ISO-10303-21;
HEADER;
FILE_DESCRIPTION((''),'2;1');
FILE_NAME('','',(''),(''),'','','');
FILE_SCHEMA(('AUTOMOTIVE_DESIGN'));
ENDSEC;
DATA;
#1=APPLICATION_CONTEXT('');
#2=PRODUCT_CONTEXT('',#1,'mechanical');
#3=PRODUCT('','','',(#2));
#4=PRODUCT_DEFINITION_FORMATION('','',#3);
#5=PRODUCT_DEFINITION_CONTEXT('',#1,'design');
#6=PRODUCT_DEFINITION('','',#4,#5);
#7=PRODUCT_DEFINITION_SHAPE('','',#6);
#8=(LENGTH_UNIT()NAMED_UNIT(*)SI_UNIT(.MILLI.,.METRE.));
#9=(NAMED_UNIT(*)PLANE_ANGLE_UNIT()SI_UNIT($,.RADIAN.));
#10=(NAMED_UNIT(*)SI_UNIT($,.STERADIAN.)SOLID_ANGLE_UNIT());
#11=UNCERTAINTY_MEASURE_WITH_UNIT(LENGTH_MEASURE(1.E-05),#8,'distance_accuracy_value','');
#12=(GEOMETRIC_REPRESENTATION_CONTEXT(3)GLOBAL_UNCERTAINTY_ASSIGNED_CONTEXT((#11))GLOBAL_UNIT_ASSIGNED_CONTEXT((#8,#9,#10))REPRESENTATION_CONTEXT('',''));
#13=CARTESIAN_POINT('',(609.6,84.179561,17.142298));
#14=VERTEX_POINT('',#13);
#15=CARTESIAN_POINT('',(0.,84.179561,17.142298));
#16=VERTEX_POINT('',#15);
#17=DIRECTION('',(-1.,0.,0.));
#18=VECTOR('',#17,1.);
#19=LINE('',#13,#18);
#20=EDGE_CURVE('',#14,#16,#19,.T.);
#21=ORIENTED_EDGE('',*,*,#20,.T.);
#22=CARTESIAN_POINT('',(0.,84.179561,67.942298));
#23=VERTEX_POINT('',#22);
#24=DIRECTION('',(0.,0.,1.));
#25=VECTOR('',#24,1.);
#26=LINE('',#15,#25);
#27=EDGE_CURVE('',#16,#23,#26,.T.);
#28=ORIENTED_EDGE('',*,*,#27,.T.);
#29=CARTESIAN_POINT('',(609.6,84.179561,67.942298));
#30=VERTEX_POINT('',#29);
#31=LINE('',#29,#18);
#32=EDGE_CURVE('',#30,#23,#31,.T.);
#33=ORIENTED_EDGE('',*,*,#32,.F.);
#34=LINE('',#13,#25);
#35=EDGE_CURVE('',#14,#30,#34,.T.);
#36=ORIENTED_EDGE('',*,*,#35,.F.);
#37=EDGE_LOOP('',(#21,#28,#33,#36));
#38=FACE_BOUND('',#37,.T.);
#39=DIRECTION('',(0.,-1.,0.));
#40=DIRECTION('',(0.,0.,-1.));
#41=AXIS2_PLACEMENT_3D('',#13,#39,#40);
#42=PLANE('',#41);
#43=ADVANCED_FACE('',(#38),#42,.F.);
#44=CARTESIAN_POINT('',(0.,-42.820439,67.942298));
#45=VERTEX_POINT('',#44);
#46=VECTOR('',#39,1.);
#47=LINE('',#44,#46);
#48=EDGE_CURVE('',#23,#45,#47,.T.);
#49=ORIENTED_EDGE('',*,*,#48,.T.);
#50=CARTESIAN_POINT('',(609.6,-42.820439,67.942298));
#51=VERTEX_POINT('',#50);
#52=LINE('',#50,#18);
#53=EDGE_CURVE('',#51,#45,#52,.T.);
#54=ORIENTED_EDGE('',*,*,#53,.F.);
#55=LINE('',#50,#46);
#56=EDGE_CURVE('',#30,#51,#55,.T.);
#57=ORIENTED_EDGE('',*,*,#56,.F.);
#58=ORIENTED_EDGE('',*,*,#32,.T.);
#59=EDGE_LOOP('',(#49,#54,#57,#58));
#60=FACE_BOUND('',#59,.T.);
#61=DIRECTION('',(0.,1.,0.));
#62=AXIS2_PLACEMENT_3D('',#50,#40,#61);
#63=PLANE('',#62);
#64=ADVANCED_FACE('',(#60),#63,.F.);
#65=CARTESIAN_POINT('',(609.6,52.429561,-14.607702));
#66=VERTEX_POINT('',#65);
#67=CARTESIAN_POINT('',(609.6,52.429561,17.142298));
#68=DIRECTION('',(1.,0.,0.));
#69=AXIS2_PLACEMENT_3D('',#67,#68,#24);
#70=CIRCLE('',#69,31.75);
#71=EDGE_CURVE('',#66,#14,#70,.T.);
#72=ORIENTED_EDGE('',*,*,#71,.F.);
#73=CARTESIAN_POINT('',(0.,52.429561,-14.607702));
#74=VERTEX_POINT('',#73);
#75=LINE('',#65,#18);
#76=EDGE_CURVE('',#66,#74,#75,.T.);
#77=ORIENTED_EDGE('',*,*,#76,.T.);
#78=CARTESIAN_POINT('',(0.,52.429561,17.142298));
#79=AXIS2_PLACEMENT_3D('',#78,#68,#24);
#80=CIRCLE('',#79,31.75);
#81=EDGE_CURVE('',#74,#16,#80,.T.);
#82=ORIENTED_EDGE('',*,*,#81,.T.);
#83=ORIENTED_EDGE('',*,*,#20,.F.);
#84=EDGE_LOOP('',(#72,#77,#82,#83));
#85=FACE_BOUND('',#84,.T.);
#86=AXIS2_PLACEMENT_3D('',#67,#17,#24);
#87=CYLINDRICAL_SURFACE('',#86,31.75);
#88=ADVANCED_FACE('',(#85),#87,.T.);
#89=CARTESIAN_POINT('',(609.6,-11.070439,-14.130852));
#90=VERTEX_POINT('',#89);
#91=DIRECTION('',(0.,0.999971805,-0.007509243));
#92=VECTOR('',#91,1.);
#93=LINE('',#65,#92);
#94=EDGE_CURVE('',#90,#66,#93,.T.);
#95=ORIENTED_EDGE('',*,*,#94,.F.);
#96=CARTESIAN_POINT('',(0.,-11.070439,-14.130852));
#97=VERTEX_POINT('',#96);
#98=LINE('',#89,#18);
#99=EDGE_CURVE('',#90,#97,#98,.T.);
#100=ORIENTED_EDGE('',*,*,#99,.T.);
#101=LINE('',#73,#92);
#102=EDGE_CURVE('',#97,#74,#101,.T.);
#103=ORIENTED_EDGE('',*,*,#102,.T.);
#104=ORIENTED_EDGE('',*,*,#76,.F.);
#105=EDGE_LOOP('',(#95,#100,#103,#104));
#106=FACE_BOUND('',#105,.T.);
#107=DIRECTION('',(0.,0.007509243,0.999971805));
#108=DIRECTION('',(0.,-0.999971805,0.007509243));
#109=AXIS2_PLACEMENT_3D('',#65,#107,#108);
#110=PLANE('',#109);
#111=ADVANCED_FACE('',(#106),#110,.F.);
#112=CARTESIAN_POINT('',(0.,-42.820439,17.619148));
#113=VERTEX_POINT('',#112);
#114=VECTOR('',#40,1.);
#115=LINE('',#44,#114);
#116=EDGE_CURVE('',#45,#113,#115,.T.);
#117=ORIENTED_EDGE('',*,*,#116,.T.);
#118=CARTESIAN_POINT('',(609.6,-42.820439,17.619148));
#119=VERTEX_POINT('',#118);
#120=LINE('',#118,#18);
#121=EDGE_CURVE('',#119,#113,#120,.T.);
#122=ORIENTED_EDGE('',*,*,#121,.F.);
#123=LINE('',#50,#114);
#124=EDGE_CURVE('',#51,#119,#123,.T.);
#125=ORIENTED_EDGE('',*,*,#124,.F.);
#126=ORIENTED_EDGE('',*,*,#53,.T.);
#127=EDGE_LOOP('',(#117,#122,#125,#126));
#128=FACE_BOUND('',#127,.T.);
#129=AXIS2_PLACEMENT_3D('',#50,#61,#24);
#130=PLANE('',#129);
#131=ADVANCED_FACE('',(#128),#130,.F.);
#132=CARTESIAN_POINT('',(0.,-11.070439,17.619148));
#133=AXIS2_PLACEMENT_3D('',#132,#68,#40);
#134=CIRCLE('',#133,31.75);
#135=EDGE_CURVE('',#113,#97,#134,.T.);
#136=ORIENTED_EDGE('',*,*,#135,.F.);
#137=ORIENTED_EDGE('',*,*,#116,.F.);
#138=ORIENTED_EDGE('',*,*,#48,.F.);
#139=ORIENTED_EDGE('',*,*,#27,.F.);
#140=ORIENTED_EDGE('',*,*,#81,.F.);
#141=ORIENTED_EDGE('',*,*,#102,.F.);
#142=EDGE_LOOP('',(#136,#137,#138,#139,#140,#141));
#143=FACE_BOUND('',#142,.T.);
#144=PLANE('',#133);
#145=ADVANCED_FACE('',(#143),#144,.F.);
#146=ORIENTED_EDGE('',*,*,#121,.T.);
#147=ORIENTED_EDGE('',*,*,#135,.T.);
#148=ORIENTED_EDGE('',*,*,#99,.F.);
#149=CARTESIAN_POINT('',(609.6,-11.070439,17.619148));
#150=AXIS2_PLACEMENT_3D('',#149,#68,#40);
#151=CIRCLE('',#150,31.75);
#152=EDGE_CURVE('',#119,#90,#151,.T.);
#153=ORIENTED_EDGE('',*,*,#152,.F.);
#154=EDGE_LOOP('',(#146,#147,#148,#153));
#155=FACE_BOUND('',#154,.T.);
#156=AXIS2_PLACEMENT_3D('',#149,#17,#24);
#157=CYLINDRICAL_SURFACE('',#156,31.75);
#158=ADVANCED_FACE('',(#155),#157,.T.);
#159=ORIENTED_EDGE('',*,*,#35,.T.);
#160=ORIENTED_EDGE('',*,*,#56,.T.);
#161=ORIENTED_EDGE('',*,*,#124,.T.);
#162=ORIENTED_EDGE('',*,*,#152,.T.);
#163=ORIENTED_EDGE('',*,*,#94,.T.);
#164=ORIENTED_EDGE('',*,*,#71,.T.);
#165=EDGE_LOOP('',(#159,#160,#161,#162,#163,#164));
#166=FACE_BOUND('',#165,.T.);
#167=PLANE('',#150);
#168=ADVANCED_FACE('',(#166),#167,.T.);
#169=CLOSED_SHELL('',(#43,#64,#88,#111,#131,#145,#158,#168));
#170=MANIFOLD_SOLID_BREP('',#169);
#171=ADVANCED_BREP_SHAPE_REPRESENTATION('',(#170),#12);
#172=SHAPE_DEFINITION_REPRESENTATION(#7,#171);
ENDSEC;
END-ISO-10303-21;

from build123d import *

# Parameters (mm, degrees)
BOSS_EXTRUDE1_DEPTH = 609.6


with BuildPart() as part:
    # Sketch1 → Boss-Extrude1 (new body)
    with BuildSketch(Plane(origin=(0, 0, 0), x_dir=(0, 0, -1), z_dir=(1, 0, 0))):
        with BuildLine():
            Line((-17.142297556, 84.179561101), (-67.942297556, 84.179561101))
            Line((-67.942297556, 84.179561101), (-67.942297556, -42.820438899))
            Line((-67.942297556, -42.820438899), (-17.619147927, -42.820438899))
            ThreePointArc((-17.619147927, -42.820438899), (4.831492375, -33.521079202), (14.130852073, -11.070438899))
            Line((14.130852073, -11.070438899), (14.607702444, 52.429561101))
            ThreePointArc((14.607702444, 52.429561101), (5.308342747, 74.880201403), (-17.142297556, 84.179561101))
        make_face()
    extrude(amount=BOSS_EXTRUDE1_DEPTH)


solid = part.part
